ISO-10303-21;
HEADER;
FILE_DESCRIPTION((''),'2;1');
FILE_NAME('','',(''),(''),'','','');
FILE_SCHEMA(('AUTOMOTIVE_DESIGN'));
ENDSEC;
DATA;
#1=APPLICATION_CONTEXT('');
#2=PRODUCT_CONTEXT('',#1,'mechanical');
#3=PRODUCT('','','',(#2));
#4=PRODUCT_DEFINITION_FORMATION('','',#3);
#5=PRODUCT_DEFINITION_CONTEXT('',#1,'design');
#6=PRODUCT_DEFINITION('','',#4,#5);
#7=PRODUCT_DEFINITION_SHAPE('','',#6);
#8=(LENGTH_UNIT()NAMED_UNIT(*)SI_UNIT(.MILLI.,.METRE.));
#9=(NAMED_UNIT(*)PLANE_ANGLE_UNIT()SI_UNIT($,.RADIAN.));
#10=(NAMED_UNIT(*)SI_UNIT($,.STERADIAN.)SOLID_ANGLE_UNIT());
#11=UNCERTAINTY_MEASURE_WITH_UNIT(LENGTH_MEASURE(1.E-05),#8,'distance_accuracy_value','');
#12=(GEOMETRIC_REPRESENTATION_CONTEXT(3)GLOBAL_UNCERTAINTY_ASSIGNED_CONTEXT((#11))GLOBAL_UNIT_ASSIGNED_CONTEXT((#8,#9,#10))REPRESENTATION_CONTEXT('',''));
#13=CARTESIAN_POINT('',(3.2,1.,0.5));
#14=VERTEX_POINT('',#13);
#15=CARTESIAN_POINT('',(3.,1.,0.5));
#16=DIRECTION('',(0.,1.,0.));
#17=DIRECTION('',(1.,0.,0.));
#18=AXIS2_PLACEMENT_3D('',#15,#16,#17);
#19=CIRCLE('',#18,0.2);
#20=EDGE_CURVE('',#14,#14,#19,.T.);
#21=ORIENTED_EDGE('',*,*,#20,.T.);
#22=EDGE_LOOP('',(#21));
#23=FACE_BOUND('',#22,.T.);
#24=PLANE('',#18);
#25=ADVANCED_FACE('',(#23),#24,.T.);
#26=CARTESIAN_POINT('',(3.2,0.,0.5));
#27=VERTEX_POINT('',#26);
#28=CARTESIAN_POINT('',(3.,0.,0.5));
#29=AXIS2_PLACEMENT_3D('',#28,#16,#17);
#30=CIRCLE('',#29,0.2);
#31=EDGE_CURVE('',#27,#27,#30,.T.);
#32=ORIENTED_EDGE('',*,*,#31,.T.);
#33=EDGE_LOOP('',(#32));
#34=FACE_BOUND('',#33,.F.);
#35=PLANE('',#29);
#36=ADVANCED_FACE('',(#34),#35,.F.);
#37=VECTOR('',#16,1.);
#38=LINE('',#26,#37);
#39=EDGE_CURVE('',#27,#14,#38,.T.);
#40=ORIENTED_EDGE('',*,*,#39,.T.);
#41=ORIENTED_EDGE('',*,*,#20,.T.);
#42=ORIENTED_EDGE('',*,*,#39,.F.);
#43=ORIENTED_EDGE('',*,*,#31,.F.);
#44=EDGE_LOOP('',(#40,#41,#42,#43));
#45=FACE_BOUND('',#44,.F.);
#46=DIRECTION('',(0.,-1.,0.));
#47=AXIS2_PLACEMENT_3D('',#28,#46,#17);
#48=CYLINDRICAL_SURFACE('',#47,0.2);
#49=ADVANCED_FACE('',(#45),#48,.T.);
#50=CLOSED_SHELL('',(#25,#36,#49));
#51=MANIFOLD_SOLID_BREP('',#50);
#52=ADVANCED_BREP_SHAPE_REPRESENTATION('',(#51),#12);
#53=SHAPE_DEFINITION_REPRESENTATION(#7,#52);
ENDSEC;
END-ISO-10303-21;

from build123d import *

# Parameters (mm, degrees)
CYLINDER_R     = 0.2
CYLINDER_DEPTH = 1


with BuildPart() as part:
    # Cylinder → Cylinder (new body)
    with BuildSketch(Plane(origin=(3, 0, 0.5), x_dir=(1, 0, 0), z_dir=(0, 1, 0))):
        Circle(CYLINDER_R)
    extrude(amount=CYLINDER_DEPTH)


solid = part.part
